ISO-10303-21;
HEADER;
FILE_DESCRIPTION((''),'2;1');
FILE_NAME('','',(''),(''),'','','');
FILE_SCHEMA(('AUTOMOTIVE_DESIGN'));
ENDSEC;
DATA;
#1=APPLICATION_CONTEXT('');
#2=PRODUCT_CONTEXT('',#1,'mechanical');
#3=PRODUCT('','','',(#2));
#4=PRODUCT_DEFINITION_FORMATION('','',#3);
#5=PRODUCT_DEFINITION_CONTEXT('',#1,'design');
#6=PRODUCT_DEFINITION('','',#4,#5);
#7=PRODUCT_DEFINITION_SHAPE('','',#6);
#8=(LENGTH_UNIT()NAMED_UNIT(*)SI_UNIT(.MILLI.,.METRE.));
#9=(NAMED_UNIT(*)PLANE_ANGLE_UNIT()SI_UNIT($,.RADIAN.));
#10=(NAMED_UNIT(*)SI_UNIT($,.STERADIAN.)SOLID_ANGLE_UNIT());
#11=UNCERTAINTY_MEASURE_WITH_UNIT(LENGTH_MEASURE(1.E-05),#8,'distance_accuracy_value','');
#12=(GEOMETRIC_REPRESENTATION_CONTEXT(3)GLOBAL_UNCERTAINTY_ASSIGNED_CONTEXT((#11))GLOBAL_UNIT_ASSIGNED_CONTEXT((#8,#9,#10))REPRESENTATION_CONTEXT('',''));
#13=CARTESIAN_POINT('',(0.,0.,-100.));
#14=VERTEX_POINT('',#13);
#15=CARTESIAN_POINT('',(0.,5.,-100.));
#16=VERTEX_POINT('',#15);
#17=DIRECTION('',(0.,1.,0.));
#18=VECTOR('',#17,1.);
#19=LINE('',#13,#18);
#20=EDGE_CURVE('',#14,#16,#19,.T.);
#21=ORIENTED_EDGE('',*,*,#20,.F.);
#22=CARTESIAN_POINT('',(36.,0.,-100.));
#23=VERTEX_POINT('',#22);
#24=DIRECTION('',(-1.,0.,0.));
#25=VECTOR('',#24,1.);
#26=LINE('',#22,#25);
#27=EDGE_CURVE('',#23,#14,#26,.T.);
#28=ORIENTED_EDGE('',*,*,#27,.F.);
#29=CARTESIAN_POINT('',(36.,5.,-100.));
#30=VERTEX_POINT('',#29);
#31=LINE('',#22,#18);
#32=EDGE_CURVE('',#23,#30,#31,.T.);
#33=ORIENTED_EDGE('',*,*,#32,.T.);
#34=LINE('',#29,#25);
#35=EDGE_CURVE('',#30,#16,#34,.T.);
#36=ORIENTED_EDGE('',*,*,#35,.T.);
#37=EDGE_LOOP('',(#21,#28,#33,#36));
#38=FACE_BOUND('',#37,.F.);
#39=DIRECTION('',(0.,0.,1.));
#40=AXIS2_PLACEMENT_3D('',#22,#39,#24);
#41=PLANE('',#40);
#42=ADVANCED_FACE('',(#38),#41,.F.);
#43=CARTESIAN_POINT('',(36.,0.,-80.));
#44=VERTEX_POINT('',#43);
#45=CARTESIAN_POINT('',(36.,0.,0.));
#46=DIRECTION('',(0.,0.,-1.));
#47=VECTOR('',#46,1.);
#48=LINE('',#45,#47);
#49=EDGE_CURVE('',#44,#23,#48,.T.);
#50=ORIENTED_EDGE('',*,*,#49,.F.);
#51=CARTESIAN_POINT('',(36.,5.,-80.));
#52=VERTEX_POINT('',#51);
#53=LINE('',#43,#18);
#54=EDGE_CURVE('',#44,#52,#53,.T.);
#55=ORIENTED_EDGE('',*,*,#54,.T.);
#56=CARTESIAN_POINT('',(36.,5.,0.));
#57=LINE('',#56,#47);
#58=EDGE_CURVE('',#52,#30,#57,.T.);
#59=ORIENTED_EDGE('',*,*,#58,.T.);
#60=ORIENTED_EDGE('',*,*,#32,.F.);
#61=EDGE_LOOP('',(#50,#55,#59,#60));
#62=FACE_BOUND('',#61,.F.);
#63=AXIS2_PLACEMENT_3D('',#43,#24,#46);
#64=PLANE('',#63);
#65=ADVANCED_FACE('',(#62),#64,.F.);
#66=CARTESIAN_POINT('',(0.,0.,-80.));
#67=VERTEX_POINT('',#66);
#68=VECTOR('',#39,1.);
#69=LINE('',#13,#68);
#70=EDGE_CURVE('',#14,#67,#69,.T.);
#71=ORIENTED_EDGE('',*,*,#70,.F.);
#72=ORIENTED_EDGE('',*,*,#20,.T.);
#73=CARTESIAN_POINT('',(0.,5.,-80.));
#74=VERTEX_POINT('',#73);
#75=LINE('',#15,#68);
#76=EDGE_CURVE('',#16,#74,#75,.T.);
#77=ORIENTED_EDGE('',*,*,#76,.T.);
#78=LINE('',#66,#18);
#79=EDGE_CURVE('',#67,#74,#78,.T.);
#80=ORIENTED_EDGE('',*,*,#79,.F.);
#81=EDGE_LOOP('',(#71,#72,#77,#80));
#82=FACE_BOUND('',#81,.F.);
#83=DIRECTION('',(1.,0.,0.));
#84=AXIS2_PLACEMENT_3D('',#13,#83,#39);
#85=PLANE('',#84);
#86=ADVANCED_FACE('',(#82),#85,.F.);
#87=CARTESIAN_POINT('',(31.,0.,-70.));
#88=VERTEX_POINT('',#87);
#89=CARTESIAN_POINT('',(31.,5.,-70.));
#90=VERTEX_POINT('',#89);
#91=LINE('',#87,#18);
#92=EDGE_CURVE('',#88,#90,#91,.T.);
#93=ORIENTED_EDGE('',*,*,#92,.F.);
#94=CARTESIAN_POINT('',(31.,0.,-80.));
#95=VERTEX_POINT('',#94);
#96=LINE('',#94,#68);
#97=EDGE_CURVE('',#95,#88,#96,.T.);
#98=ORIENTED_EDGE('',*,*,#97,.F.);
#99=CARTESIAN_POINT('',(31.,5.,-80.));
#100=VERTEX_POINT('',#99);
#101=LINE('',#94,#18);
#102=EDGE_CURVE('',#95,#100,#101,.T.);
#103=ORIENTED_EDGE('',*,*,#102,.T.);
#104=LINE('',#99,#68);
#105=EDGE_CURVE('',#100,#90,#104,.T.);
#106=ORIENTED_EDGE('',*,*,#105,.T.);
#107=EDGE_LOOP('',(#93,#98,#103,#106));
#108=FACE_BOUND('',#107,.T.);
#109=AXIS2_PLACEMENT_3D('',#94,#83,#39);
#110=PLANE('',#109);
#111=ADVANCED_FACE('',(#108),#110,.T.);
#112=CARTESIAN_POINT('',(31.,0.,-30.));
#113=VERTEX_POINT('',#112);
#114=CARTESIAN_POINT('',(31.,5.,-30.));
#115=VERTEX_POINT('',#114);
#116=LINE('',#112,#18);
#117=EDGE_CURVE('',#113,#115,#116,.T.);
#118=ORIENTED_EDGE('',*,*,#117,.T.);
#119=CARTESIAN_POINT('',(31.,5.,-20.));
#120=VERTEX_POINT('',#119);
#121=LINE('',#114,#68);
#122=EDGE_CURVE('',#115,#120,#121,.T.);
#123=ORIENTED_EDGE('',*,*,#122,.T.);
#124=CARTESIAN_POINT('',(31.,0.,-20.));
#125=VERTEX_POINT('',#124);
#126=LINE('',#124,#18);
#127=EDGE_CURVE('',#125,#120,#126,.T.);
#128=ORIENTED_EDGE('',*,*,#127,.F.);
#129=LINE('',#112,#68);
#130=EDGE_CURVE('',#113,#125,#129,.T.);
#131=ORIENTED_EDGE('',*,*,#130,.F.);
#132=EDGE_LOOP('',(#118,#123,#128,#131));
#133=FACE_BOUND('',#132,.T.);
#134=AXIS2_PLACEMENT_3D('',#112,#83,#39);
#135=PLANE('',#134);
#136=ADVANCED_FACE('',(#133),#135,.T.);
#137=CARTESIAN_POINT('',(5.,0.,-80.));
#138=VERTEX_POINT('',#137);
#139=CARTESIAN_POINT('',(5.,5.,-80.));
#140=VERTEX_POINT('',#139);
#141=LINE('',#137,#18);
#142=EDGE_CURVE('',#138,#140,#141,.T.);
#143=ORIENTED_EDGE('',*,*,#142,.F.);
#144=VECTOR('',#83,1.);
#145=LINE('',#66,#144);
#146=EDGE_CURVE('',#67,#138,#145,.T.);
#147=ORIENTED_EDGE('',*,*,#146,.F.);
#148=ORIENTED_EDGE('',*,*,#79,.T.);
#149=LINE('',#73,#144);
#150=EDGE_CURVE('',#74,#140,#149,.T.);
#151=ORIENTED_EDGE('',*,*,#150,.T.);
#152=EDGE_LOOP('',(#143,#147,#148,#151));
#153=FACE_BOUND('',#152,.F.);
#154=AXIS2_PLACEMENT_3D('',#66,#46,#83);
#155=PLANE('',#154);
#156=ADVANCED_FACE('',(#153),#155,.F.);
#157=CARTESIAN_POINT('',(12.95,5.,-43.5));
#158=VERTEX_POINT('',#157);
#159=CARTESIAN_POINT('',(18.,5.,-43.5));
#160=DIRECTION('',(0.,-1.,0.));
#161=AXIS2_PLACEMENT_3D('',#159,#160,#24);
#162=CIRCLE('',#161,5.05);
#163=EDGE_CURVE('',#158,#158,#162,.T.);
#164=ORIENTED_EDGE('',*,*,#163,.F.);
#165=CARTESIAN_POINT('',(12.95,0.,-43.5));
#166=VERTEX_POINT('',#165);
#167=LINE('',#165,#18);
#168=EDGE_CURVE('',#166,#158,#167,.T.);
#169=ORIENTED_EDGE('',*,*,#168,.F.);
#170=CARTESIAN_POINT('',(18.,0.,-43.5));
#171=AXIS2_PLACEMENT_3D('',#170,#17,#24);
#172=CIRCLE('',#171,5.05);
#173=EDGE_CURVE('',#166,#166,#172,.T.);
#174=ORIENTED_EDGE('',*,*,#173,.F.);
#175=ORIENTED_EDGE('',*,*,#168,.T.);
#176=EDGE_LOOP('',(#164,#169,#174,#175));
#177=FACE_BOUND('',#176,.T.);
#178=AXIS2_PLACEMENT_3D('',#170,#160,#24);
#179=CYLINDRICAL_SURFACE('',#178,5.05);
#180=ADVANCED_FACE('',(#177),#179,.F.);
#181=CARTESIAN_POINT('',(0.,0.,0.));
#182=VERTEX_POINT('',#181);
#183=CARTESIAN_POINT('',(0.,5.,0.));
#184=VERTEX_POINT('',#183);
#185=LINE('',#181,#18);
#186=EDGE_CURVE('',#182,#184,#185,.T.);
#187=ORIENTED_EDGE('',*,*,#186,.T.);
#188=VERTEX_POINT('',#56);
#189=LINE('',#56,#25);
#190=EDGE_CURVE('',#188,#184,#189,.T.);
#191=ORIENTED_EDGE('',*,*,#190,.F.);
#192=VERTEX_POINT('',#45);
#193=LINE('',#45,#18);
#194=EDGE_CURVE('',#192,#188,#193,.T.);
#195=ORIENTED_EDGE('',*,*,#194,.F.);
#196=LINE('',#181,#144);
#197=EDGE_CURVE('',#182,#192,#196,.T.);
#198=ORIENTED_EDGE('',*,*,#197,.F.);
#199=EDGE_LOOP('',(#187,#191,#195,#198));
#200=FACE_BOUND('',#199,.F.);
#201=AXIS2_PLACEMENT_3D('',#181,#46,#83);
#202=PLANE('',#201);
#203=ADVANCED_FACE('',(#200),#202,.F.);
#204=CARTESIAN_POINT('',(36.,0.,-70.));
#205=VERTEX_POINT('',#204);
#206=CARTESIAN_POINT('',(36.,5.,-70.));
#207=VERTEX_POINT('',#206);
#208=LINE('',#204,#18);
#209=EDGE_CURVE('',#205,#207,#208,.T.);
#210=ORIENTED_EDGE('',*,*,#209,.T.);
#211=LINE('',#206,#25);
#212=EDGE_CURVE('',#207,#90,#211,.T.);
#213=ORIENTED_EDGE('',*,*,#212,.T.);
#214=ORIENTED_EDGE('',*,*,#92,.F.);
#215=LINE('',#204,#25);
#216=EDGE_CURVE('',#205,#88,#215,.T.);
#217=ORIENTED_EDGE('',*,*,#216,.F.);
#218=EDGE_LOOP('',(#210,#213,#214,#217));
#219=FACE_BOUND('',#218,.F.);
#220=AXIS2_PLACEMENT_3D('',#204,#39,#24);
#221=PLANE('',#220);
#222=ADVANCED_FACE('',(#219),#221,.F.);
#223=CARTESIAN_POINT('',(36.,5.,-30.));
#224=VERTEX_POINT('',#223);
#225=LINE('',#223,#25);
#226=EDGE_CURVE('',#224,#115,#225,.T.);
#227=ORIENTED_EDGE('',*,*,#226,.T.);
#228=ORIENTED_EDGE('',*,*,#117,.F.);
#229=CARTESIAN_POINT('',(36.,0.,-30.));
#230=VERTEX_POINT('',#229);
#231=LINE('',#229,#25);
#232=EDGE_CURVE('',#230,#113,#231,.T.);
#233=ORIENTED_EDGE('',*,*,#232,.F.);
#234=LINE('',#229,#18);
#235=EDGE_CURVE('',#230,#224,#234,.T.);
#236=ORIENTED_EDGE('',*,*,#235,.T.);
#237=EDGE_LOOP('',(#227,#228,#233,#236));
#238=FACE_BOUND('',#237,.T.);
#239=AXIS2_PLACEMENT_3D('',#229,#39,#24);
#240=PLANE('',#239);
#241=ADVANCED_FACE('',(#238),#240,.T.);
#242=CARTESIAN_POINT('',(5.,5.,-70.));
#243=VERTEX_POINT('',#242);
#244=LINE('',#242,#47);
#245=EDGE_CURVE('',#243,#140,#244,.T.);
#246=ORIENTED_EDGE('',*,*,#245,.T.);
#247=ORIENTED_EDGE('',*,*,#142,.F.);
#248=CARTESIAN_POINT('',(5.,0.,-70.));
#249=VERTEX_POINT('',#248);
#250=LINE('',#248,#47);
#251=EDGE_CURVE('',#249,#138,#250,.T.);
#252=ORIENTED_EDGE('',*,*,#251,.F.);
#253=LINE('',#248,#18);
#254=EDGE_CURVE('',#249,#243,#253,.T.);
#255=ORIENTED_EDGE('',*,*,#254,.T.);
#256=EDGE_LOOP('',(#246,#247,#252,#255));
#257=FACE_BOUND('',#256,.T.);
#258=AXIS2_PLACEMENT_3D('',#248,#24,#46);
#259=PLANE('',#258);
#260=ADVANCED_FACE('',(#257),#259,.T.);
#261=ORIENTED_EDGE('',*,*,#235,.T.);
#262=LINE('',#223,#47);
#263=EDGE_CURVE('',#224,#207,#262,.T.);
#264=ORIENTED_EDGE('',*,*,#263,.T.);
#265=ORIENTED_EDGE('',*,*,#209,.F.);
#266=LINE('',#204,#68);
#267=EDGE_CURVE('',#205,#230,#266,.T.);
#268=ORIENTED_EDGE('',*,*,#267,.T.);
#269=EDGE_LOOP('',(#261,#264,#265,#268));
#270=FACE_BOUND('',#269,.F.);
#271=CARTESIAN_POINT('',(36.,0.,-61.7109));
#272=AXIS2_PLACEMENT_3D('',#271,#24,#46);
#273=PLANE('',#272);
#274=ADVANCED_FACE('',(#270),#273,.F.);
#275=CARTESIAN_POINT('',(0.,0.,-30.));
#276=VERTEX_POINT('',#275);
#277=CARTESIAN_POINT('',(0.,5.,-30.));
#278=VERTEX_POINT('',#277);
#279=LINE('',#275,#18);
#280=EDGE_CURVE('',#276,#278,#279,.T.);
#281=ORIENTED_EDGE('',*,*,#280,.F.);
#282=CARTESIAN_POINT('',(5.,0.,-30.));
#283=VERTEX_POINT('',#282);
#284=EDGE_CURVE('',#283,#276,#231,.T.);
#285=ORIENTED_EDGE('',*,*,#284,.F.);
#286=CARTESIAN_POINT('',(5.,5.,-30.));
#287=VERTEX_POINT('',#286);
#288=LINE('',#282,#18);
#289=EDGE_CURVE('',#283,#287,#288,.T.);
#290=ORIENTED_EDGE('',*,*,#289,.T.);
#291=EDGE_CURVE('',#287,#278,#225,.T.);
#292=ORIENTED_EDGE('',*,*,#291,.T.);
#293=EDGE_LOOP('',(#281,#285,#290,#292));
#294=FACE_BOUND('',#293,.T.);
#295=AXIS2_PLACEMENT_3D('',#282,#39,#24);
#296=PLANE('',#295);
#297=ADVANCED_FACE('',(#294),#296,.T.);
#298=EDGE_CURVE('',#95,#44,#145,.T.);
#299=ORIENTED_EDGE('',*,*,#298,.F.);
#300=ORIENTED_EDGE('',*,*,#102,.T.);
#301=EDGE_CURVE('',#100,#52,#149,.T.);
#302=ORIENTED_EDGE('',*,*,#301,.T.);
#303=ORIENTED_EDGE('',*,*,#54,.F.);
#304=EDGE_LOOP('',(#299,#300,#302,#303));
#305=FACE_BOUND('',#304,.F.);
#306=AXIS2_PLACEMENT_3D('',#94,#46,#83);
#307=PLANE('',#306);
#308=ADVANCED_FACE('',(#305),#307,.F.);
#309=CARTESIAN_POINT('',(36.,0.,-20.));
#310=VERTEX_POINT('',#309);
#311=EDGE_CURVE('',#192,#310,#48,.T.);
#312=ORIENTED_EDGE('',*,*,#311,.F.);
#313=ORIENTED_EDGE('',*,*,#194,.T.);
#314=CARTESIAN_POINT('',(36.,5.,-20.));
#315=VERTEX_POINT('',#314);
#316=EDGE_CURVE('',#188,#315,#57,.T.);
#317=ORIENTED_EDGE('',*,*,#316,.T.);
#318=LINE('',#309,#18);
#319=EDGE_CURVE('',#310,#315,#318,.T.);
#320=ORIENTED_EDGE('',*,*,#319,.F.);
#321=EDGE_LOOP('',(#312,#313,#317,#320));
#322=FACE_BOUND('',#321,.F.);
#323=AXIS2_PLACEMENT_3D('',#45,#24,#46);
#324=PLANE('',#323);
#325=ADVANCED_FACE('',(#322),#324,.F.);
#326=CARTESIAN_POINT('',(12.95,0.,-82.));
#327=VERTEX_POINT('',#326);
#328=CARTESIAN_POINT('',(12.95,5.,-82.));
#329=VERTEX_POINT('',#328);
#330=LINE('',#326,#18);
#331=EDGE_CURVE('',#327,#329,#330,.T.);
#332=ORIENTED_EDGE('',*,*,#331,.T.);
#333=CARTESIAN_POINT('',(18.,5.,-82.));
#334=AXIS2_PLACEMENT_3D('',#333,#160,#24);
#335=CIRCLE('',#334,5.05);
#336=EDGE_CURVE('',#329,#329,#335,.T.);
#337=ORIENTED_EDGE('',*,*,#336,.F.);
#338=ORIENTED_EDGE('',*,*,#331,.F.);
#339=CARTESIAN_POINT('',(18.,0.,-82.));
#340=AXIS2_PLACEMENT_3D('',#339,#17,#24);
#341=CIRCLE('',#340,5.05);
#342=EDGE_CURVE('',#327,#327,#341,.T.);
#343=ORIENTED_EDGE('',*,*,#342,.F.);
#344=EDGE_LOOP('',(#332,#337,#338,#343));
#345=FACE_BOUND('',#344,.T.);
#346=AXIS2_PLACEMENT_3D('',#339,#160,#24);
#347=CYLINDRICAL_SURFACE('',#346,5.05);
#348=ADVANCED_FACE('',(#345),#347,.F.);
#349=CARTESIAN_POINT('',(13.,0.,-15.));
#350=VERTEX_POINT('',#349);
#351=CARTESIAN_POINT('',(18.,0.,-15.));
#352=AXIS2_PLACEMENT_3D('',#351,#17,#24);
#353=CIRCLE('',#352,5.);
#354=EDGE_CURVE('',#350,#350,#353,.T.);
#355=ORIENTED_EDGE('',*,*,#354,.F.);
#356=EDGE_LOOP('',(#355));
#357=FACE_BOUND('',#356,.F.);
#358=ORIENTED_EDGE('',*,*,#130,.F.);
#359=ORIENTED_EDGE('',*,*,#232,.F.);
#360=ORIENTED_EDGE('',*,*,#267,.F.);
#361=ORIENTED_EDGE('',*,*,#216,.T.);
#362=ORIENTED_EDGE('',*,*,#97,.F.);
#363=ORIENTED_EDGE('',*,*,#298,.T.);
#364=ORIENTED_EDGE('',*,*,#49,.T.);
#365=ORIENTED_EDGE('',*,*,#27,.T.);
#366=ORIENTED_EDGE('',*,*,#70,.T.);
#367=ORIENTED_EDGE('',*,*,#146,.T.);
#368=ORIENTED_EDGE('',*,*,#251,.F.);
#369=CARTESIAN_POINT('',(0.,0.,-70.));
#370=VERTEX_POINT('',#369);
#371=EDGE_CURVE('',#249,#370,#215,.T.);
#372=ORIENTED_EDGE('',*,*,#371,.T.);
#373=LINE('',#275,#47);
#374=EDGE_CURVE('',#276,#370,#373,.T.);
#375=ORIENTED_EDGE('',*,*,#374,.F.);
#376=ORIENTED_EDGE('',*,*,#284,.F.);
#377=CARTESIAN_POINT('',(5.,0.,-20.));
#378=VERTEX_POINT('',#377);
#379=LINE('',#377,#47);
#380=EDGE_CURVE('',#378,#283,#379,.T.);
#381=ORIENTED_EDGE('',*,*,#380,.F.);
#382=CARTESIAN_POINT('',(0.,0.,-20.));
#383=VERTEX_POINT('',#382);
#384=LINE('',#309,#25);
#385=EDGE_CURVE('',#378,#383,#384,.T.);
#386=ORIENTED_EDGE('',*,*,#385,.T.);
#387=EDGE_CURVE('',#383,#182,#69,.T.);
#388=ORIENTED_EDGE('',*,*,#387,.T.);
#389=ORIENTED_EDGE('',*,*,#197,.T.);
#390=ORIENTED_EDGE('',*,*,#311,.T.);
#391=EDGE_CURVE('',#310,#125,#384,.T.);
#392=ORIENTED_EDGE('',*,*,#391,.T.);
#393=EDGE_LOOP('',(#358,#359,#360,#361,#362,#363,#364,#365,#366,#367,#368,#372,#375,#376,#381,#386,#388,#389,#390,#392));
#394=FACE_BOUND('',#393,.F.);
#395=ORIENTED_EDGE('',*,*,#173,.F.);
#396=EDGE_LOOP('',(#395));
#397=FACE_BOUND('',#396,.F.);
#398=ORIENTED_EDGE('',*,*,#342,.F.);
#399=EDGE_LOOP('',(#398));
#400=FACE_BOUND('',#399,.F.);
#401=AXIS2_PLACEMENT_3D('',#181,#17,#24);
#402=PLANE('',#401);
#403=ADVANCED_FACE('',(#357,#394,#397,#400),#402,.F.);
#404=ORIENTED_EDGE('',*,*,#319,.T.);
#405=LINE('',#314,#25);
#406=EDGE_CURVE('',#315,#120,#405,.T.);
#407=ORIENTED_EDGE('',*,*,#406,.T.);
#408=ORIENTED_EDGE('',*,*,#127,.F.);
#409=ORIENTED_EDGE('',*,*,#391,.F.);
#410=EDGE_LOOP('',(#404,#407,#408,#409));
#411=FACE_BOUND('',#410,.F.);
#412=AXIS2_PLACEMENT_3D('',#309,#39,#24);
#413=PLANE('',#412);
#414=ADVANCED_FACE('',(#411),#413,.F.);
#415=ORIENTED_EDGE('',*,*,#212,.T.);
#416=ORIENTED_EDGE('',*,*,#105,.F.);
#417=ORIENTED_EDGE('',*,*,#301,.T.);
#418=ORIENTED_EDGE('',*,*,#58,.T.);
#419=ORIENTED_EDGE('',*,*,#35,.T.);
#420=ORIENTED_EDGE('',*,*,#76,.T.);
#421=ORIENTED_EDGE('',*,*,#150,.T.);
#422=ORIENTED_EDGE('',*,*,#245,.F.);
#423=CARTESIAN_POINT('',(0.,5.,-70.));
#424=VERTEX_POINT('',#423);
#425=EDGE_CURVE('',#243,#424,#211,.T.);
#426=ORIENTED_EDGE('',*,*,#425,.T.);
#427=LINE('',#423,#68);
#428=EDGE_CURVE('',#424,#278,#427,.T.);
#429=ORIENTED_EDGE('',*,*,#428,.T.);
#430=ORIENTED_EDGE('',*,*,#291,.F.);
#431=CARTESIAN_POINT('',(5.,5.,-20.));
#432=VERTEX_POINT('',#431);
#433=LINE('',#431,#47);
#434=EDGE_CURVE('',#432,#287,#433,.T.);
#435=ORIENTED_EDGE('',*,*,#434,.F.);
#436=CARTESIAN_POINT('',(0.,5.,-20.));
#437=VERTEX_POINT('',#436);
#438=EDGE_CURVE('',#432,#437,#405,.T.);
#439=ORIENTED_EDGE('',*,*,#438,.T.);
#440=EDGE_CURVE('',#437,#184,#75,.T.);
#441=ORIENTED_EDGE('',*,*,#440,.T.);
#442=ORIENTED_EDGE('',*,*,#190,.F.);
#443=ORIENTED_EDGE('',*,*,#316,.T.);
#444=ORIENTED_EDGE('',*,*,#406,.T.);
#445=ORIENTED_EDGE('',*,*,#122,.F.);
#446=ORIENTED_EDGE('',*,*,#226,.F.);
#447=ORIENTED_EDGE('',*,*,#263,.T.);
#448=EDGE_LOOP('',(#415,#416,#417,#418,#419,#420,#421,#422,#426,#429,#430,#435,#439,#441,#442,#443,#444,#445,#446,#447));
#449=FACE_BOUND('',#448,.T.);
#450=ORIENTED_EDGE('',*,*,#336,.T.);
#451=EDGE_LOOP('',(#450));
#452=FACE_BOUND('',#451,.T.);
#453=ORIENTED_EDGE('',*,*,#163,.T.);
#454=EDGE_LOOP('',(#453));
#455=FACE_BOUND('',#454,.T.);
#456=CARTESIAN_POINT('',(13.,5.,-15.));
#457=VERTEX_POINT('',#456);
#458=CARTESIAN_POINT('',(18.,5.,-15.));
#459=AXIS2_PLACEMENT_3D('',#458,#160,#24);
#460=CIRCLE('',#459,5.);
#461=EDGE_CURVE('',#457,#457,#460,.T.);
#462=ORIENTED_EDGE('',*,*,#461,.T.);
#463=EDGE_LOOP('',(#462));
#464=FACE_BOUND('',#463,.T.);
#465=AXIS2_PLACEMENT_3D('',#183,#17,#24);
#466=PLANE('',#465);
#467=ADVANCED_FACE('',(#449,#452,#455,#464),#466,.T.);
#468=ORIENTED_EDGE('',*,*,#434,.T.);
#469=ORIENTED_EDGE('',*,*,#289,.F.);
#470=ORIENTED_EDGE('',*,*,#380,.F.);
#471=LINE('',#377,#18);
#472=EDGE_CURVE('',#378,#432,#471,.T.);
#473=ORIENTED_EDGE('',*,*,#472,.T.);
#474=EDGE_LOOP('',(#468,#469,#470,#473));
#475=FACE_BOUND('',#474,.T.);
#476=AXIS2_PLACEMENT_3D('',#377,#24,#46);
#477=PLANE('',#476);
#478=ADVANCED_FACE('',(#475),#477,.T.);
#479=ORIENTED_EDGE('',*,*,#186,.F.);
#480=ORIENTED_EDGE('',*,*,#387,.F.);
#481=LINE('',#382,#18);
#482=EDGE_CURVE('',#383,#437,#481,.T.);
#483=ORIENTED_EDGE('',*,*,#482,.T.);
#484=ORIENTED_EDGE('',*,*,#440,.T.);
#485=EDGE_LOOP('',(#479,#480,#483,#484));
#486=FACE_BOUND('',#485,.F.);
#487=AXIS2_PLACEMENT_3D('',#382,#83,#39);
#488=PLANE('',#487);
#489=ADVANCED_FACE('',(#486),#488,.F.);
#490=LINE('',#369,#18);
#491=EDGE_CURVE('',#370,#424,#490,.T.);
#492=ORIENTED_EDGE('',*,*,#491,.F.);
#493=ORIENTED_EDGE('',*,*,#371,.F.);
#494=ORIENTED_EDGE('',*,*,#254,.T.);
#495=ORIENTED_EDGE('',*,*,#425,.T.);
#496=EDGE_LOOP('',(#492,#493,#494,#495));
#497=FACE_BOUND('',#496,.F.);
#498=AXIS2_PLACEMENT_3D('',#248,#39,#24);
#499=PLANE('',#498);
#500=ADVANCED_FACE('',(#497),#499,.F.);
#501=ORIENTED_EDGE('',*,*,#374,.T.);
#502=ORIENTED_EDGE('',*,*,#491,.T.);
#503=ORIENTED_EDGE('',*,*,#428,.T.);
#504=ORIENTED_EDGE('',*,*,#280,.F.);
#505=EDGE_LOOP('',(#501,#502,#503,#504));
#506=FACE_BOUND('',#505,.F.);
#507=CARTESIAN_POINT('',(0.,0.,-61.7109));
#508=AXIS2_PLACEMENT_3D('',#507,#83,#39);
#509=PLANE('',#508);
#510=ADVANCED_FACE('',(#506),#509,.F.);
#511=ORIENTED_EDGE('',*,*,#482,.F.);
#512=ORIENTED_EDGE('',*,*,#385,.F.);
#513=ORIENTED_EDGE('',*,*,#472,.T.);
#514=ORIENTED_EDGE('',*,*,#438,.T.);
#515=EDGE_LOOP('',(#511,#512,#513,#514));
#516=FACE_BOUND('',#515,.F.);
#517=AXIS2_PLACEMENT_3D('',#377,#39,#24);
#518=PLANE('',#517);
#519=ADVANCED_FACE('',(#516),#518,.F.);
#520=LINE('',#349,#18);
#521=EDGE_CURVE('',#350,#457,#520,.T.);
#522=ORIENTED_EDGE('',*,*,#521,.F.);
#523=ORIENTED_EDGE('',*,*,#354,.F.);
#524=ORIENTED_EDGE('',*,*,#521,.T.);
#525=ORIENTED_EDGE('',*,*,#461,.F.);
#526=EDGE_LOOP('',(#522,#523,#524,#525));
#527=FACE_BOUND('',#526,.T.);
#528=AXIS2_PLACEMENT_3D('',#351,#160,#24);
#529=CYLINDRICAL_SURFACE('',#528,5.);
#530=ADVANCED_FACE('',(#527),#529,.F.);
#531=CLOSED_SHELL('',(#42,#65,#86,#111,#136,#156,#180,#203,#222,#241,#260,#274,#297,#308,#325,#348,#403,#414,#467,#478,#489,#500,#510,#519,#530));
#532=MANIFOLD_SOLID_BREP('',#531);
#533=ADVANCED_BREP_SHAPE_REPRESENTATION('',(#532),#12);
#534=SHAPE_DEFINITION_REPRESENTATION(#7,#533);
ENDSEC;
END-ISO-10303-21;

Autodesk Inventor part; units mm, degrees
ref_plane "YZ Plane" through (0, 0, 0) normal (1, 0, 0) x (0, 1, 0)
ref_plane "XZ Plane" through (0, 0, 0) normal (0, 1, 0) x (-1, 0, 0)
ref_plane "XY Plane" through (0, 0, 0) normal (0, 0, 1) x (1, 0, 0)
sketch "Sketch2" plane through (0, 0, 0) normal (0, 1, 0) x (-1, 0, 0)
  line L0 (0, 0) -> (-36, 0)
  line L1 (-36, 0) -> (-36, -100)
  line L2 (-36, -100) -> (0, -100)
  line L3 (0, -100) -> (0, 0)
  line L4 (-36, 0) -> (-36, -20)
  line L5 (-36, -20) -> (0, -20)
  line L6 (-36, -100) -> (-36, -80)
  line L7 (-36, -80) -> (-36, -61.7109)
  line L8 (0, -61.7109) -> (0, -80)
  line L9 (-36, -80) -> (-36, -70)
  line L10 (-36, -70) -> (0, -70)
  line L11 (0, -80) -> (-36, -80)
  line L12 (0, -70) -> (0, -80)
  line L13 (0, -70) -> (-5, -70)
  line L14 (-5, -70) -> (-5, -80)
  line L15 (-36, -20) -> (-36, -30)
  line L16 (-36, -30) -> (0, -30)
  line L17 (0, -20) -> (-5, -20)
  line L18 (-5, -20) -> (-5, -30)
  line L19 (-36, -80) -> (-31, -80)
  line L20 (-31, -80) -> (-31, -70)
  line L21 (-31, -30) -> (-31, -20)
  line L22 (-18, 0) -> (-18, -15)
  line L23 (-18, -15) -> (-18, -43.5)
  circle A0 centre (-18, -43.5) radius 5.05
  line L24 (-18, -43.5) -> (-18, -82)
  circle A1 centre (-18, -82) radius 5.05
  circle A2 centre (-18, -15) radius 5
  dimension "d0" = 36
  dimension "d1" = 100
  dimension "d2" = 20
  dimension "d3" = 20
  dimension "d4" = 10
  dimension "d5" = 5
  dimension "d6" = 10
  dimension "d7" = 5
  dimension "d8" = 5
  dimension "d9" = 15
  dimension "d11" = 28.5
  dimension "d12" = 10.1
  dimension "d13" = 38.5
  dimension "d14" = 10.1
extrude "Extrusion1" add sketch "Sketch2" along normal blind 5 contours L3 L5 A2 L22 L0 | L22 A2 L5 L1 L0 | L3 L10 L24 A0 L23 L16 | L18 L16 L23 L5 | L23 L16 L21 L5 | L16 L23 A0 L24 L10 L1 | L3 L2 L1 L11 A1 | L14 L11 A1 L24 L10 | L24 A1 L11 L20 L10
equation "\"BendRadius\" = Thickness"
equation "\"BendReliefWidth\" = Thickness"
equation "\"BendReliefDepth\" = 0.5 * Thickness"
equation "\"CornerReliefSize\" = 4 * Thickness"
equation "\"MinimumRemnant\" = 2 * Thickness"
equation "\"TransitionRadius\" = BendRadius"
equation "\"JacobiRadiusSize\" = BendRadius"
equation "\"GapSize\" = Thickness"
equation "\"Thickness\" = 0.5"
